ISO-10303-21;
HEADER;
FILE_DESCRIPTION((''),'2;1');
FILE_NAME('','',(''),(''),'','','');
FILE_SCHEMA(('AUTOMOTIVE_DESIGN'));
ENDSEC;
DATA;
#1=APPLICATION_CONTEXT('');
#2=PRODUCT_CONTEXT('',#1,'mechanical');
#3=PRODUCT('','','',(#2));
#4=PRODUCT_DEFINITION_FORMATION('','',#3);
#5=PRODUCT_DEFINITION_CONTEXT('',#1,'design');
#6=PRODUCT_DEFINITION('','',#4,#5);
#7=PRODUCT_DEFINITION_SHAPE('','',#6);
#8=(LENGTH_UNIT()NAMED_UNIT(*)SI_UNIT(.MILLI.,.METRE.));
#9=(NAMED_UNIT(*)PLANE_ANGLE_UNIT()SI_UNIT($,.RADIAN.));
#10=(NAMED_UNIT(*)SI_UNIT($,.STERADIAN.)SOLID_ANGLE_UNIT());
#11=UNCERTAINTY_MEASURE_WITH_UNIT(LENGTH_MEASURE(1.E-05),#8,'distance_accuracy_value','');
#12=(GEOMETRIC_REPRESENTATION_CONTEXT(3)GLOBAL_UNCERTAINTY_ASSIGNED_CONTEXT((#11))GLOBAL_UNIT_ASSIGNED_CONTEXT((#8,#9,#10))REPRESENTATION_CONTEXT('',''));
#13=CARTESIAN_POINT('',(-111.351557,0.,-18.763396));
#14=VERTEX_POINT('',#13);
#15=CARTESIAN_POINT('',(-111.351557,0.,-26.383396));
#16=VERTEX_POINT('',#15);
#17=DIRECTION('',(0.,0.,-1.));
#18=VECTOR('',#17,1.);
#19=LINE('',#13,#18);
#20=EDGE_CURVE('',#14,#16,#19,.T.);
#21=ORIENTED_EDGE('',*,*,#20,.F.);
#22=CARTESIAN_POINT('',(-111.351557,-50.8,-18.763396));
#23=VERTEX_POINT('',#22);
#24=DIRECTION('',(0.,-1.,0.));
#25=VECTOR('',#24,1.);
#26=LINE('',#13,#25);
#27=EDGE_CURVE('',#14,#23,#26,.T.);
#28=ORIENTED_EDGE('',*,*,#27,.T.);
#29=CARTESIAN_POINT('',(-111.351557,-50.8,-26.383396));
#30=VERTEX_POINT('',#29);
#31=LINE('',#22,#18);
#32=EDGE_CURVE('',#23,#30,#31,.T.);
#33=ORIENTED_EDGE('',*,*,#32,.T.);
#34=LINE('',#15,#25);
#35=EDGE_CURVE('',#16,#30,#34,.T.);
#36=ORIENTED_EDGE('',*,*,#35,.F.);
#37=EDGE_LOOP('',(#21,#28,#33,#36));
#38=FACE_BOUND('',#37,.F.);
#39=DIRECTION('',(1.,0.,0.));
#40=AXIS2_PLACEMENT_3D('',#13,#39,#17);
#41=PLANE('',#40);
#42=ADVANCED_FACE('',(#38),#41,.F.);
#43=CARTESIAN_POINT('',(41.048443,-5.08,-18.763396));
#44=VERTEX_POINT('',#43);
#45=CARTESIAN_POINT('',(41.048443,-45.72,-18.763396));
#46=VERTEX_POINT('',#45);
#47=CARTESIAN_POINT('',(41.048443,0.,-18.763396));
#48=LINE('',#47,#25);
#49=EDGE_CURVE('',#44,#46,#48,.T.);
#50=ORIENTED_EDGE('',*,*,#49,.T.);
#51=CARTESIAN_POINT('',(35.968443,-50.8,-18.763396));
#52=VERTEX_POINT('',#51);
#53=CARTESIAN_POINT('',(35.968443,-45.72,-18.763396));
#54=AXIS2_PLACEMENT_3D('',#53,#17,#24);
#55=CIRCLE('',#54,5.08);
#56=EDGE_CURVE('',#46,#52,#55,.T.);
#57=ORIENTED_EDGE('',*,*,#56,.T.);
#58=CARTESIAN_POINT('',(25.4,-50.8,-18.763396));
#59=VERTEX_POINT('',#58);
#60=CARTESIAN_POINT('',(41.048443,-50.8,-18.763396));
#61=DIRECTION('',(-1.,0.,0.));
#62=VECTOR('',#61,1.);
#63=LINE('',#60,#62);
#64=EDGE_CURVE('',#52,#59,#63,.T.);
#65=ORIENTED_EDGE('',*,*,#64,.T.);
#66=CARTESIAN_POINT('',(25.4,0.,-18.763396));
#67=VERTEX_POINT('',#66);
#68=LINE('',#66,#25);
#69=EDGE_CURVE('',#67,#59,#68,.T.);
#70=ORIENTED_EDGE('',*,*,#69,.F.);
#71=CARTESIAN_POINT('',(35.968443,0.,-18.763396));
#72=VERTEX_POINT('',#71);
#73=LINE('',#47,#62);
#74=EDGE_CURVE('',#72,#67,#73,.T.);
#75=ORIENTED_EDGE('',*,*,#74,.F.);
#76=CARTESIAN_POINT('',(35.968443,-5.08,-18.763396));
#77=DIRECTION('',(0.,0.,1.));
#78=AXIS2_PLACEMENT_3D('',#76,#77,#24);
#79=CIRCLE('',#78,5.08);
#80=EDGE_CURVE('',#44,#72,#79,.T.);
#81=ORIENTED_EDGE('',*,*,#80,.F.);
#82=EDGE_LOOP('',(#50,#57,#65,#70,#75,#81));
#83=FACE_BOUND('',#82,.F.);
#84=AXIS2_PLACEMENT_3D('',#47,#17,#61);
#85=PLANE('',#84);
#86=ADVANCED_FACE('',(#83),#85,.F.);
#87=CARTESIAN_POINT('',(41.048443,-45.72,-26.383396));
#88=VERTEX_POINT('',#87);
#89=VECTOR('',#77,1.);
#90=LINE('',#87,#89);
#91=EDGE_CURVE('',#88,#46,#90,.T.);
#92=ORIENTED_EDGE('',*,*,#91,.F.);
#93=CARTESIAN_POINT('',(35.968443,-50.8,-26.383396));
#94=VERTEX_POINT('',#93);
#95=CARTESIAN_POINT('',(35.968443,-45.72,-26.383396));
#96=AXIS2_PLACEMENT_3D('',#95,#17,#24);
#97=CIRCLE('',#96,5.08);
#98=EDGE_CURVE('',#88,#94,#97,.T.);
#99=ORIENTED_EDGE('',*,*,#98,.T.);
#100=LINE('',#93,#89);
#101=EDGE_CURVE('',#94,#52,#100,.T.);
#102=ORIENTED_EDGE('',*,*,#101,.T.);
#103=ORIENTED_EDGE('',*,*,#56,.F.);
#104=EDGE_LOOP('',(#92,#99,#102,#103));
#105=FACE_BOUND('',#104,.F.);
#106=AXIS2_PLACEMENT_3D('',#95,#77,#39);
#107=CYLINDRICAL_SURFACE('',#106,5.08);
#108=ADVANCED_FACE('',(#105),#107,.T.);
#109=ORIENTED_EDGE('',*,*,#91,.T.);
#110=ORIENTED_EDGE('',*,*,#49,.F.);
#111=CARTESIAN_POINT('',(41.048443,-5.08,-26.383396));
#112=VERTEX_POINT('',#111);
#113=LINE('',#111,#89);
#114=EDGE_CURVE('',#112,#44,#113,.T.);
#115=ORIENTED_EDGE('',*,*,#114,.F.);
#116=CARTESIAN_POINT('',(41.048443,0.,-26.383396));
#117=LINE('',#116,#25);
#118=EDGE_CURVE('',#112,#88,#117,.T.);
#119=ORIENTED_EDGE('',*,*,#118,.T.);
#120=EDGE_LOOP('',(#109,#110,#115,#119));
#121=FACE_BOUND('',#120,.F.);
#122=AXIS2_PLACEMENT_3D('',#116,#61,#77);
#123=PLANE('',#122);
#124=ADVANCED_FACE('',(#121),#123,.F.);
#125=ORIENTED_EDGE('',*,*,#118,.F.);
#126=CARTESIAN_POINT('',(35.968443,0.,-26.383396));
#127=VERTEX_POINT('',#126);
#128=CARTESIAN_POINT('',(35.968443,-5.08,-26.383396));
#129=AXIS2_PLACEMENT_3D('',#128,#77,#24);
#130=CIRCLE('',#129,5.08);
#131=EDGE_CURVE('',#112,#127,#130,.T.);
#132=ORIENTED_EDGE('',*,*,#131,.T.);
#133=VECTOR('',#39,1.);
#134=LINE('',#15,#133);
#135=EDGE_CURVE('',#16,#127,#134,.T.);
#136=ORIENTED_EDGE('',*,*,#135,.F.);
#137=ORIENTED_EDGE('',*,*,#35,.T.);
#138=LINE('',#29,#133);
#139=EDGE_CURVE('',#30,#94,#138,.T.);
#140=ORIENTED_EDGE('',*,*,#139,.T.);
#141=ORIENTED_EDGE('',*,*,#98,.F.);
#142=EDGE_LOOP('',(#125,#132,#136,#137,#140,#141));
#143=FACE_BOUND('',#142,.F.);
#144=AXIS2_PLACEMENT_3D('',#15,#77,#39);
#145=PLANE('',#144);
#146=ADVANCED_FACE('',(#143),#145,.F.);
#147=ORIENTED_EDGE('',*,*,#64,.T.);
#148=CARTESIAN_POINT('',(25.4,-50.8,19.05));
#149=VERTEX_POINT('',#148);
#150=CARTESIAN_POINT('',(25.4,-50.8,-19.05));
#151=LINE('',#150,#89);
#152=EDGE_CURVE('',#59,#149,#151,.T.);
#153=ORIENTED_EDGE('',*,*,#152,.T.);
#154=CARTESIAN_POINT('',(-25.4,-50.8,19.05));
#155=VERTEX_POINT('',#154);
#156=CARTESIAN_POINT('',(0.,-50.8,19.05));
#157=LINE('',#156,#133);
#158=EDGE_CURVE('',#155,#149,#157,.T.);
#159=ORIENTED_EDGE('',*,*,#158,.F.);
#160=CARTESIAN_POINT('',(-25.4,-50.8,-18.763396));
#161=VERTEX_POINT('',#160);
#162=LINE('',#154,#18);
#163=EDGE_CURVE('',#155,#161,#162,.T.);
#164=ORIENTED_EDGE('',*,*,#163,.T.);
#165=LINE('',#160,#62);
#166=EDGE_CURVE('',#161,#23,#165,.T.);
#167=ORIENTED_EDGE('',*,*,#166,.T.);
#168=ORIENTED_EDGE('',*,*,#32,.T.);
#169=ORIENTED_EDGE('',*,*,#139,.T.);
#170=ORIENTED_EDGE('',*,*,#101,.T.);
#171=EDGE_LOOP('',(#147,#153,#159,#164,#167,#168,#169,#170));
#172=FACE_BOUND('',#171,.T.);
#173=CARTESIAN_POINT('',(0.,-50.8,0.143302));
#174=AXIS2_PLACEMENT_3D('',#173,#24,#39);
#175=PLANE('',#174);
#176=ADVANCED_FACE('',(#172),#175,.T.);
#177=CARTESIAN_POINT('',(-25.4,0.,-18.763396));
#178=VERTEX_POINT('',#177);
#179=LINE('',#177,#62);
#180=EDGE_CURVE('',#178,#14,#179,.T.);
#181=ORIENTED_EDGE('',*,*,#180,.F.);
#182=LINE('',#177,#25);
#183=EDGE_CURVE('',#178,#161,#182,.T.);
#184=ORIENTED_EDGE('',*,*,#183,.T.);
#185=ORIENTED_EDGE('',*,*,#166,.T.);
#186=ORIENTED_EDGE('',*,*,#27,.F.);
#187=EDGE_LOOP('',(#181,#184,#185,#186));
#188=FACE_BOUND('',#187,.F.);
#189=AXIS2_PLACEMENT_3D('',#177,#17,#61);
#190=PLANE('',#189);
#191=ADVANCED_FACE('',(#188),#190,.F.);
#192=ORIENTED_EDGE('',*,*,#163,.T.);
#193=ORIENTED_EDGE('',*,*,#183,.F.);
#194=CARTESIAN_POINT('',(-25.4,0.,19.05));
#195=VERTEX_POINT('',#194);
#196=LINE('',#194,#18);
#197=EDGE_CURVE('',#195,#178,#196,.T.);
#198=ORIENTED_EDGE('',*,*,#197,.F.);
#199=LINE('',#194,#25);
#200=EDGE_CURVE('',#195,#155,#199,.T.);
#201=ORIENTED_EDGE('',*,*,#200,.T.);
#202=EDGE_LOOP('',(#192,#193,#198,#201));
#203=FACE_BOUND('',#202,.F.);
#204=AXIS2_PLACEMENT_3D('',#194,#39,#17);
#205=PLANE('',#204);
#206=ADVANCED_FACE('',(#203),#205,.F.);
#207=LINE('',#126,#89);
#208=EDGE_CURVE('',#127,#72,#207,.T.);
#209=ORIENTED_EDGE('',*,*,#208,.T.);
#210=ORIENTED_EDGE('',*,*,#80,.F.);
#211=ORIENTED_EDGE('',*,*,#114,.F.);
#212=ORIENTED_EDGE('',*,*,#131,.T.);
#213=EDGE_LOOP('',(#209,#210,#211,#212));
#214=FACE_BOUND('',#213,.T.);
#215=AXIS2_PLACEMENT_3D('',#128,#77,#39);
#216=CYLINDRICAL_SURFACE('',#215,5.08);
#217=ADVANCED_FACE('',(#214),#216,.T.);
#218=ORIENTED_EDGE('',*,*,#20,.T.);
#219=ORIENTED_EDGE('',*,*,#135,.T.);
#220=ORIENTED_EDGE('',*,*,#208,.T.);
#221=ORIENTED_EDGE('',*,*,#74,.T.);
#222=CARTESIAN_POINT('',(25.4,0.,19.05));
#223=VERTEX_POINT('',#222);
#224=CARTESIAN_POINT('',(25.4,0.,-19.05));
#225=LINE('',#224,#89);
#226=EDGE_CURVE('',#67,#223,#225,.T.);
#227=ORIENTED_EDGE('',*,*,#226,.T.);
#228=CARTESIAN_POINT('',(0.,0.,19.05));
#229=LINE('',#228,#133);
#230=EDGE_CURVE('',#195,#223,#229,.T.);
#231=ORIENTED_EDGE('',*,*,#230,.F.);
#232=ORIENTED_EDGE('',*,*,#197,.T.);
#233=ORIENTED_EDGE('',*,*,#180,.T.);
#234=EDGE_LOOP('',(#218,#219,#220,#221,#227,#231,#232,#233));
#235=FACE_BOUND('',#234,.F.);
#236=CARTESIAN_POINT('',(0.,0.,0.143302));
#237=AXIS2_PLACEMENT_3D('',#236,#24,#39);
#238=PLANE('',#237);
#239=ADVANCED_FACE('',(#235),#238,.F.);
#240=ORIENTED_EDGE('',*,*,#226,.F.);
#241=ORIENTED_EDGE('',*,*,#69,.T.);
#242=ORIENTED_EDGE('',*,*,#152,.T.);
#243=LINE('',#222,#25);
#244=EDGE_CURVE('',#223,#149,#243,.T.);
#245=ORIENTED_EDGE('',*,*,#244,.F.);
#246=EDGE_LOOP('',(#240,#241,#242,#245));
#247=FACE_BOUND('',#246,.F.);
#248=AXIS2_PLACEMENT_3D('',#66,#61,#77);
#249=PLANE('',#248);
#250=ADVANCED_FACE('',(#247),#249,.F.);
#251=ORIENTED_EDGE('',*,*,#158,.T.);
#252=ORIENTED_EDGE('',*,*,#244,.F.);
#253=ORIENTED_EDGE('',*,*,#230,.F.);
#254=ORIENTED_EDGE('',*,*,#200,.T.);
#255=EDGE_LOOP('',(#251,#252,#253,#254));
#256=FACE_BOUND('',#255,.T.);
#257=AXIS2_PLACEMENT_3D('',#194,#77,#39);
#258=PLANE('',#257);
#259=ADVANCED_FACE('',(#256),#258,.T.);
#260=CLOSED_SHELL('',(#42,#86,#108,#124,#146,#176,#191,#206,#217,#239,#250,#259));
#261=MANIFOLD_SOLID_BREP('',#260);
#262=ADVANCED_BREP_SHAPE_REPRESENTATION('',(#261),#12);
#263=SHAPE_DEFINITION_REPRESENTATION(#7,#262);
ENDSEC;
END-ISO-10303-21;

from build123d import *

# Parameters (mm, degrees)
F0_W     = 50.8
F0_H     = 37.8133962381
F0_H_2   = 0.2866037619
F1_DEPTH = 50.8
F2_R     = 5.08


with BuildPart() as f1:
    # F0 (on Front) → F1 (new body)
    with BuildSketch(Plane.XZ):
        with Locations((0, 0.143301881)):
            Rectangle(F0_W, F0_H)
        with Locations((0, -18.906698119)):
            Rectangle(F0_W, F0_H_2)
        Polygon((-25.4, -19.05), (-25.4, -18.7633962381), (-111.351557076, -18.7633962381), (-111.351557076, -26.3833962381), (41.048442924, -26.3833962381), (41.048442924, -18.7633962381), (25.4, -18.7633962381), (25.4, -19.05), align=None)
    extrude(amount=F1_DEPTH)

    # F2
    f2_edges = [f1.edges().sort_by_distance(p)[0] for p in [
        (41.048443, 0, -22.573396),
        (41.048443, -50.8, -22.573396),
    ]]
    fillet(f2_edges, radius=F2_R)


solid = f1.part
